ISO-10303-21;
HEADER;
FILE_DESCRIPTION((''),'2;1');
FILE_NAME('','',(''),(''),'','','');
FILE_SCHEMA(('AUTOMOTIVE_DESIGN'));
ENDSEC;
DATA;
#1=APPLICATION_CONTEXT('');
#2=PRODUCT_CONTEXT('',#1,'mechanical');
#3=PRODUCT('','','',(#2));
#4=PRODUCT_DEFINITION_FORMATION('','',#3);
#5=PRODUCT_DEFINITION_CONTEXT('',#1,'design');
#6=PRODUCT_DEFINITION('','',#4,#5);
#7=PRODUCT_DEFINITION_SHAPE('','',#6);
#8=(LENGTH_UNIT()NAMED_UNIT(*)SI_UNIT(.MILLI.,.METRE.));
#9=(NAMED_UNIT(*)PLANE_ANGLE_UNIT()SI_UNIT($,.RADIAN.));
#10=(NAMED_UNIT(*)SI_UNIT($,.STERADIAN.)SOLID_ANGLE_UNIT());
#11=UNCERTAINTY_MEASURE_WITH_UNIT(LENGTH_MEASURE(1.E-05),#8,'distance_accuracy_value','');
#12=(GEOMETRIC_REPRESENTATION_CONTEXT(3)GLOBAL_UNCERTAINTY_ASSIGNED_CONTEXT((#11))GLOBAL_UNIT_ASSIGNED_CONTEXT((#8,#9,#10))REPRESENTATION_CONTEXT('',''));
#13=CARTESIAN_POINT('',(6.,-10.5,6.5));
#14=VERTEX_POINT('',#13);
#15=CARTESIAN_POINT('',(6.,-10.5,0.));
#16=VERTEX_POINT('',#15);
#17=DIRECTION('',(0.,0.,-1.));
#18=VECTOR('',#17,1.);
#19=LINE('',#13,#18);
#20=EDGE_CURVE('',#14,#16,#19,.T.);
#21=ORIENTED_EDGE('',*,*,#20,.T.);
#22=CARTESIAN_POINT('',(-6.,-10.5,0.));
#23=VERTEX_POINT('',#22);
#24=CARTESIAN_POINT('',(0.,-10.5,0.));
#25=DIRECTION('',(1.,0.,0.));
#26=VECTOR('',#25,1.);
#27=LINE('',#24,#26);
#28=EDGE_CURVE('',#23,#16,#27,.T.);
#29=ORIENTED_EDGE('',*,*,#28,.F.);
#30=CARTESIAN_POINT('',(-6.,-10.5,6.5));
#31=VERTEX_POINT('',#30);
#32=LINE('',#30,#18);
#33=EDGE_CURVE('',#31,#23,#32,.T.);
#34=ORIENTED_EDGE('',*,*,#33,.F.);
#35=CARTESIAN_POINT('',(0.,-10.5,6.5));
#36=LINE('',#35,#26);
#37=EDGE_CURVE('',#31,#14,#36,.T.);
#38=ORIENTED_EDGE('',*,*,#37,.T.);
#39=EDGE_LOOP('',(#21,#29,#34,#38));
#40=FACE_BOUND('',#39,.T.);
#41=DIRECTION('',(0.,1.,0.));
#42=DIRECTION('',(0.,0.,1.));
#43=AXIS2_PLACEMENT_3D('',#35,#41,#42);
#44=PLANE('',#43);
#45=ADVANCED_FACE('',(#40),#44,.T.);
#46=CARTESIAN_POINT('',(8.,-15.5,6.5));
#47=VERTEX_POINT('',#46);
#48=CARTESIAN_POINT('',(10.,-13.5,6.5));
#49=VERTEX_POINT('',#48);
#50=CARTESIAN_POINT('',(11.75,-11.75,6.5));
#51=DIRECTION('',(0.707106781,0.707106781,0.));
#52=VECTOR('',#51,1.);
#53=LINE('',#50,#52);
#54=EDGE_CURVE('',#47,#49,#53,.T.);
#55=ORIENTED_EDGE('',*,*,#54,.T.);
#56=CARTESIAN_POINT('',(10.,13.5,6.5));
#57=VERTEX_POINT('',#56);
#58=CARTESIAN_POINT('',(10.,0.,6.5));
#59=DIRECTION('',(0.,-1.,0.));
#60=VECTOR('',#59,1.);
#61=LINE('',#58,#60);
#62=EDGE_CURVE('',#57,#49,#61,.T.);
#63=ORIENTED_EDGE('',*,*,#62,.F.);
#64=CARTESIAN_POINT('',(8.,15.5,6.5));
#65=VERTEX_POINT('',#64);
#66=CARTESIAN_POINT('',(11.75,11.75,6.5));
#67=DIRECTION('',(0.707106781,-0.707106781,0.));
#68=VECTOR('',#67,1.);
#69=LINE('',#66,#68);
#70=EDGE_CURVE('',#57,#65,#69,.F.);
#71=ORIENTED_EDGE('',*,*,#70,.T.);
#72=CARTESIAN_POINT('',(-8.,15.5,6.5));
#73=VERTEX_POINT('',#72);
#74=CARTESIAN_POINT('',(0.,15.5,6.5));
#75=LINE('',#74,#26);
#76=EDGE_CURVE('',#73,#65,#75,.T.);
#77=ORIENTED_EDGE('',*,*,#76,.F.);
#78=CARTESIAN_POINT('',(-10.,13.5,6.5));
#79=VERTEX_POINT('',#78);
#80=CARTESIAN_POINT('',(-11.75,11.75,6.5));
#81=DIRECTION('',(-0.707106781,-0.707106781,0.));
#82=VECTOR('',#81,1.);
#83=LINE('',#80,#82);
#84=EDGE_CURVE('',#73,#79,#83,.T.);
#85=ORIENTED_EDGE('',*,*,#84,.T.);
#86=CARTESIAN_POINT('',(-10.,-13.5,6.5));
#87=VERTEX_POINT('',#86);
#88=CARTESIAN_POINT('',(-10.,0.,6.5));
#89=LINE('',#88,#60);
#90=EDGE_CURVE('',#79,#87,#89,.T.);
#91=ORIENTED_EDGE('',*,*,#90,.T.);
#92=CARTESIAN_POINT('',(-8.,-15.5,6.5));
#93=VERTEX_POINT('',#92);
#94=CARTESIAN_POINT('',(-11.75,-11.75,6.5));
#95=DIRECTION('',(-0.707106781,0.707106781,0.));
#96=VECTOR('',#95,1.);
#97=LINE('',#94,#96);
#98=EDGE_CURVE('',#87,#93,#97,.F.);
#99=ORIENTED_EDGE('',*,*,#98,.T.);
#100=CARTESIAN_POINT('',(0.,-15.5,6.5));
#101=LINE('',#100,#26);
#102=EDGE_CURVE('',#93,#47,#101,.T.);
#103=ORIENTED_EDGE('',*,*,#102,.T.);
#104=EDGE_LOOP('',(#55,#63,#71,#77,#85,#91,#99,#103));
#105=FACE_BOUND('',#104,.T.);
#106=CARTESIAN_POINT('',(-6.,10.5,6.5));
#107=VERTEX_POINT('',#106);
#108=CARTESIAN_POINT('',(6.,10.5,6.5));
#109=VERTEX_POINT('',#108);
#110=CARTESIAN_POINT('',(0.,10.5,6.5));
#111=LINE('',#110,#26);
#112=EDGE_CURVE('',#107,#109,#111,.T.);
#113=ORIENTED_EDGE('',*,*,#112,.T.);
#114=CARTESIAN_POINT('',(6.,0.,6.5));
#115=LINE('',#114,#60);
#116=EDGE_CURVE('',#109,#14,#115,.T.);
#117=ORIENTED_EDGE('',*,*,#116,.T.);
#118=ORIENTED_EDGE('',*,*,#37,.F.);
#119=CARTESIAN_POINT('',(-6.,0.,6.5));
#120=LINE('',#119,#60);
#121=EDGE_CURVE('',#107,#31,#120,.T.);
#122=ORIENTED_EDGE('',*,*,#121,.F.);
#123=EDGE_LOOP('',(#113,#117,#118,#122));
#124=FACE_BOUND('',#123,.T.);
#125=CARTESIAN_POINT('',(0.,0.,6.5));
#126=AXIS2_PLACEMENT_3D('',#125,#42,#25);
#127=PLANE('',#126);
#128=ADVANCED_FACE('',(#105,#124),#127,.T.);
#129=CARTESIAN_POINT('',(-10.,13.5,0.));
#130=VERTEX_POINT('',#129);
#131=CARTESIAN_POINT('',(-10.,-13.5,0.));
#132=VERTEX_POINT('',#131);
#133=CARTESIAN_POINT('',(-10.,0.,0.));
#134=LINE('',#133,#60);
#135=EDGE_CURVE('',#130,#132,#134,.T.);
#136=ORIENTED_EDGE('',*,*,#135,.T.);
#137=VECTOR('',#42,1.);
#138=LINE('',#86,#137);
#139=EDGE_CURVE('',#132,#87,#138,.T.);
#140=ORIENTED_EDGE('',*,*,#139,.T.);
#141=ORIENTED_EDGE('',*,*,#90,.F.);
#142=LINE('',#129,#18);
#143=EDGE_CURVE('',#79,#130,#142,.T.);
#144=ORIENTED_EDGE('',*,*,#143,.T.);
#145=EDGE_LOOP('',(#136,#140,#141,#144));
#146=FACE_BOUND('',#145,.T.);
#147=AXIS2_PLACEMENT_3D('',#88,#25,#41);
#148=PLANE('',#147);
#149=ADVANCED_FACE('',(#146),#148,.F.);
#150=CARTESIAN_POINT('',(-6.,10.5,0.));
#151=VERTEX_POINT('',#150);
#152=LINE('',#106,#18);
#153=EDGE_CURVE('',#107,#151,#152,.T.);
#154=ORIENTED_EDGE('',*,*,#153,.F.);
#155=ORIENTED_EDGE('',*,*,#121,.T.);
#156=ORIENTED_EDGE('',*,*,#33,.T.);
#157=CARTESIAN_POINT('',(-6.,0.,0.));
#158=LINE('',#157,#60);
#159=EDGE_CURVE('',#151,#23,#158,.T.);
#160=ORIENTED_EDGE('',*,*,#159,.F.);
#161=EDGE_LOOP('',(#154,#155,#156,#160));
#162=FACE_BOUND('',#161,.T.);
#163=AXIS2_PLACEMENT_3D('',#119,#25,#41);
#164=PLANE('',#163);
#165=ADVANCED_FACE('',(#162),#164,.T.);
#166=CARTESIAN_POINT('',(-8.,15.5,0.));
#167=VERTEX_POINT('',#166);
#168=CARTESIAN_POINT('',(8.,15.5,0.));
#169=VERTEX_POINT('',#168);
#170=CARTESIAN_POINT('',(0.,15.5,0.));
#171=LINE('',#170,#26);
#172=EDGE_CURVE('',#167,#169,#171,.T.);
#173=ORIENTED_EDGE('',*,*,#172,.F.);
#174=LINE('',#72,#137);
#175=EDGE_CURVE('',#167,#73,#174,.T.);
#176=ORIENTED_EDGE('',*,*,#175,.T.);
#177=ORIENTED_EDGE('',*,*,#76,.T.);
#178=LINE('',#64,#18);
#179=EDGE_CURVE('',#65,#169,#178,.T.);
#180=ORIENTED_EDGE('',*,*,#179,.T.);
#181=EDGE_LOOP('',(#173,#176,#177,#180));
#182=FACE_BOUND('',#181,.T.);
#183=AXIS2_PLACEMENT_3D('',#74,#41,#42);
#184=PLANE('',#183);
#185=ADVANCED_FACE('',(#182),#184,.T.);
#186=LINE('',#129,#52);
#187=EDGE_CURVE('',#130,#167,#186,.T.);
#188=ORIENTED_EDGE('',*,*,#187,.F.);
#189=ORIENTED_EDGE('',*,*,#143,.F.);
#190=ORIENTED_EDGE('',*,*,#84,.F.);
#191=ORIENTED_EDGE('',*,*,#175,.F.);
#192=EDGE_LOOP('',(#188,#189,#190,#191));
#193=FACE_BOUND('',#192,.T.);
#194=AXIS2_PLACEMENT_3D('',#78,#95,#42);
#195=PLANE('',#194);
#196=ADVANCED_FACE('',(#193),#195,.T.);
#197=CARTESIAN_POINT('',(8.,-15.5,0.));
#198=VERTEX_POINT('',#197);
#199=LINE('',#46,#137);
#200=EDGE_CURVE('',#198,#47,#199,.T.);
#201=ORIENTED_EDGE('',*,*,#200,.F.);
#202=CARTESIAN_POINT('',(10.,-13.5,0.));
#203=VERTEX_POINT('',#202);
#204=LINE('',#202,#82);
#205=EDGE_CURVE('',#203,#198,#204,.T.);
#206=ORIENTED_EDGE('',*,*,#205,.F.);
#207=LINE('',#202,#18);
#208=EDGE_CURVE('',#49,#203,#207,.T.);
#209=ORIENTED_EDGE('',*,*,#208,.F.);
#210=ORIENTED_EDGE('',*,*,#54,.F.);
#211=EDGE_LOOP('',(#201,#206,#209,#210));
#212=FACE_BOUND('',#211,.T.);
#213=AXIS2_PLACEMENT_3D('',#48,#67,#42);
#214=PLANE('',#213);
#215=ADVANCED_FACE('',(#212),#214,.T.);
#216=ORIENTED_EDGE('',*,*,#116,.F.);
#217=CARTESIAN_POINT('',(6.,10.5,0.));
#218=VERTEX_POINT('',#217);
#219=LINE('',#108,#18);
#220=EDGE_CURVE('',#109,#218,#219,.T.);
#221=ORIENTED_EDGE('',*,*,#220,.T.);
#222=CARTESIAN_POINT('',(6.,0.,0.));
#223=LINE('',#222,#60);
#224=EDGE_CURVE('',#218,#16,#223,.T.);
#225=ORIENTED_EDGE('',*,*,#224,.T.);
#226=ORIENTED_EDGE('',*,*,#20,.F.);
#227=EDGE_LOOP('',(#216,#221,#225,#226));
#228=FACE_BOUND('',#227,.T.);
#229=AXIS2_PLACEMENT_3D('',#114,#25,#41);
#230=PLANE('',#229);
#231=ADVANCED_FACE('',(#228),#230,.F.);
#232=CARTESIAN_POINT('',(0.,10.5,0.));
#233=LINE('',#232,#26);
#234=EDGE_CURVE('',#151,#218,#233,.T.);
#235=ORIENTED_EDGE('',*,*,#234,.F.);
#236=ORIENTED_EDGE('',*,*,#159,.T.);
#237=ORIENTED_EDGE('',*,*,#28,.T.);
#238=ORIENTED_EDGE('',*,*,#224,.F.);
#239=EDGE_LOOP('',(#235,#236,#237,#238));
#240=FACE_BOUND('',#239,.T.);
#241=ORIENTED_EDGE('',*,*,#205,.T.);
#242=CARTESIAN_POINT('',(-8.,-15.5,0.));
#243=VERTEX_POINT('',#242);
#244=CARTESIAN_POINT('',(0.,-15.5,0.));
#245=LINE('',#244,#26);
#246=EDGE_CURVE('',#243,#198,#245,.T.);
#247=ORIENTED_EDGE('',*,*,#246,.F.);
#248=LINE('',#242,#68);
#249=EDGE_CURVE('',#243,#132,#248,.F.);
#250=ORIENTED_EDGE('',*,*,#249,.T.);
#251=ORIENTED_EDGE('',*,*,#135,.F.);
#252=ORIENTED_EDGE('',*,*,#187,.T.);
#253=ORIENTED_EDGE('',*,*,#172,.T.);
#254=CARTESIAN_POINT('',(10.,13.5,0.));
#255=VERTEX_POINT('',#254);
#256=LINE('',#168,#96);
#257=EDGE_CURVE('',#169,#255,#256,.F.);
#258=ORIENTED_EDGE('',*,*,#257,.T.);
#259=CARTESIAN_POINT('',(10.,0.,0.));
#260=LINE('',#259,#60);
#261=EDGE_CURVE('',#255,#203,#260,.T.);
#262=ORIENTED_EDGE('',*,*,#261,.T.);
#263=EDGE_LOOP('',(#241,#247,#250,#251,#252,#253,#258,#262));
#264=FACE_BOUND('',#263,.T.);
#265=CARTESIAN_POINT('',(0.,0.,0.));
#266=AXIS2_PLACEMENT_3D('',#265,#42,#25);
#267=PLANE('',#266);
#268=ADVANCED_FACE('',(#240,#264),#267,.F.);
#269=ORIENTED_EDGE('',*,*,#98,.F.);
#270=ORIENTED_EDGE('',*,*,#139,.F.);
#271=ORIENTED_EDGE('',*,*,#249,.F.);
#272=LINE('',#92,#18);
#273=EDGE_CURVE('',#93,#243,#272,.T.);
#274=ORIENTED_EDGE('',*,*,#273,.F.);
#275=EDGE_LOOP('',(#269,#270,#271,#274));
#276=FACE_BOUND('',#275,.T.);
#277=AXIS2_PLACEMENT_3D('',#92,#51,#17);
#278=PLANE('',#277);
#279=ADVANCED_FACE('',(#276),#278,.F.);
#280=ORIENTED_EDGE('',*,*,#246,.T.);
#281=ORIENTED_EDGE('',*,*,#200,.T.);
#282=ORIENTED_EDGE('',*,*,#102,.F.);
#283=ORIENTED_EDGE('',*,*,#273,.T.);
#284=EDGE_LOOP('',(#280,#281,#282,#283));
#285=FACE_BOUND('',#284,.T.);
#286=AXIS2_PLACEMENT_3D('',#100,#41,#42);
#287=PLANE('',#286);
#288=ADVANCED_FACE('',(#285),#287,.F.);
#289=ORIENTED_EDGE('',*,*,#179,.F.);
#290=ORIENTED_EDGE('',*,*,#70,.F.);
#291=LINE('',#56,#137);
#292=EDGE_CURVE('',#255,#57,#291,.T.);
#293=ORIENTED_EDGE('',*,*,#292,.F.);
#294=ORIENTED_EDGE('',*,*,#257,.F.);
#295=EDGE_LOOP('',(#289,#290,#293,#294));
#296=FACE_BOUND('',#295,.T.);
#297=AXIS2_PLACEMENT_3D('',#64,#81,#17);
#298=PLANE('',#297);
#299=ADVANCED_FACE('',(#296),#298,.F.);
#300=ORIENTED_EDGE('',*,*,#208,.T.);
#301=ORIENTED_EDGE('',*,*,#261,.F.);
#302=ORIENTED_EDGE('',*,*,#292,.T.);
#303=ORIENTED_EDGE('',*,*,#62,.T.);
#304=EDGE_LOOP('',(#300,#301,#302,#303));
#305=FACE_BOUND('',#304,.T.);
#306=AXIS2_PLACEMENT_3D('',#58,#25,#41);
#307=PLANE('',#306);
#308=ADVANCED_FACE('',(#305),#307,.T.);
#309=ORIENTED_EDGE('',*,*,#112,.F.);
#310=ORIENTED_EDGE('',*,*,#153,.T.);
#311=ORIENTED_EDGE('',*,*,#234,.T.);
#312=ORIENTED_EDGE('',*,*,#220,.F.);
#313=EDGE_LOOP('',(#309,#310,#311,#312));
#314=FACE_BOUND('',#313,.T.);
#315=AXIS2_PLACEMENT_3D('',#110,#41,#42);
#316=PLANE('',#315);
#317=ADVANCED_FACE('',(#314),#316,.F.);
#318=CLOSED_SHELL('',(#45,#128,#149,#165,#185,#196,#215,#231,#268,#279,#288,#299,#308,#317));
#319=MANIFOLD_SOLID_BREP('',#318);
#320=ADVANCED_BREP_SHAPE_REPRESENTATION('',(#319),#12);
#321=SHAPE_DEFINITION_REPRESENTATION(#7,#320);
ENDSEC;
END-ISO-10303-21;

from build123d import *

# Parameters (mm, degrees)
SKETCH1_W           = 20
SKETCH1_H           = 31
SKETCH1_W_2         = 12
SKETCH1_H_2         = 21
BOSS_EXTRUDE1_DEPTH = 6.5
CHAMFER1_SIZE       = 2


with BuildPart() as part:
    # Sketch1 → Boss-Extrude1 (new body)
    with BuildSketch(Plane.XY):
        Rectangle(SKETCH1_W, SKETCH1_H)
        Rectangle(SKETCH1_W_2, SKETCH1_H_2, mode=Mode.SUBTRACT)
    extrude(amount=BOSS_EXTRUDE1_DEPTH)

    # Chamfer1
    chamfer1_edges = [part.edges().sort_by_distance(p)[0] for p in [
        (10, -15.5, 3.25),
        (-10, -15.5, 3.25),
        (-10, 15.5, 3.25),
        (10, 15.5, 3.25),
    ]]
    chamfer(chamfer1_edges, length=CHAMFER1_SIZE)


solid = part.part
